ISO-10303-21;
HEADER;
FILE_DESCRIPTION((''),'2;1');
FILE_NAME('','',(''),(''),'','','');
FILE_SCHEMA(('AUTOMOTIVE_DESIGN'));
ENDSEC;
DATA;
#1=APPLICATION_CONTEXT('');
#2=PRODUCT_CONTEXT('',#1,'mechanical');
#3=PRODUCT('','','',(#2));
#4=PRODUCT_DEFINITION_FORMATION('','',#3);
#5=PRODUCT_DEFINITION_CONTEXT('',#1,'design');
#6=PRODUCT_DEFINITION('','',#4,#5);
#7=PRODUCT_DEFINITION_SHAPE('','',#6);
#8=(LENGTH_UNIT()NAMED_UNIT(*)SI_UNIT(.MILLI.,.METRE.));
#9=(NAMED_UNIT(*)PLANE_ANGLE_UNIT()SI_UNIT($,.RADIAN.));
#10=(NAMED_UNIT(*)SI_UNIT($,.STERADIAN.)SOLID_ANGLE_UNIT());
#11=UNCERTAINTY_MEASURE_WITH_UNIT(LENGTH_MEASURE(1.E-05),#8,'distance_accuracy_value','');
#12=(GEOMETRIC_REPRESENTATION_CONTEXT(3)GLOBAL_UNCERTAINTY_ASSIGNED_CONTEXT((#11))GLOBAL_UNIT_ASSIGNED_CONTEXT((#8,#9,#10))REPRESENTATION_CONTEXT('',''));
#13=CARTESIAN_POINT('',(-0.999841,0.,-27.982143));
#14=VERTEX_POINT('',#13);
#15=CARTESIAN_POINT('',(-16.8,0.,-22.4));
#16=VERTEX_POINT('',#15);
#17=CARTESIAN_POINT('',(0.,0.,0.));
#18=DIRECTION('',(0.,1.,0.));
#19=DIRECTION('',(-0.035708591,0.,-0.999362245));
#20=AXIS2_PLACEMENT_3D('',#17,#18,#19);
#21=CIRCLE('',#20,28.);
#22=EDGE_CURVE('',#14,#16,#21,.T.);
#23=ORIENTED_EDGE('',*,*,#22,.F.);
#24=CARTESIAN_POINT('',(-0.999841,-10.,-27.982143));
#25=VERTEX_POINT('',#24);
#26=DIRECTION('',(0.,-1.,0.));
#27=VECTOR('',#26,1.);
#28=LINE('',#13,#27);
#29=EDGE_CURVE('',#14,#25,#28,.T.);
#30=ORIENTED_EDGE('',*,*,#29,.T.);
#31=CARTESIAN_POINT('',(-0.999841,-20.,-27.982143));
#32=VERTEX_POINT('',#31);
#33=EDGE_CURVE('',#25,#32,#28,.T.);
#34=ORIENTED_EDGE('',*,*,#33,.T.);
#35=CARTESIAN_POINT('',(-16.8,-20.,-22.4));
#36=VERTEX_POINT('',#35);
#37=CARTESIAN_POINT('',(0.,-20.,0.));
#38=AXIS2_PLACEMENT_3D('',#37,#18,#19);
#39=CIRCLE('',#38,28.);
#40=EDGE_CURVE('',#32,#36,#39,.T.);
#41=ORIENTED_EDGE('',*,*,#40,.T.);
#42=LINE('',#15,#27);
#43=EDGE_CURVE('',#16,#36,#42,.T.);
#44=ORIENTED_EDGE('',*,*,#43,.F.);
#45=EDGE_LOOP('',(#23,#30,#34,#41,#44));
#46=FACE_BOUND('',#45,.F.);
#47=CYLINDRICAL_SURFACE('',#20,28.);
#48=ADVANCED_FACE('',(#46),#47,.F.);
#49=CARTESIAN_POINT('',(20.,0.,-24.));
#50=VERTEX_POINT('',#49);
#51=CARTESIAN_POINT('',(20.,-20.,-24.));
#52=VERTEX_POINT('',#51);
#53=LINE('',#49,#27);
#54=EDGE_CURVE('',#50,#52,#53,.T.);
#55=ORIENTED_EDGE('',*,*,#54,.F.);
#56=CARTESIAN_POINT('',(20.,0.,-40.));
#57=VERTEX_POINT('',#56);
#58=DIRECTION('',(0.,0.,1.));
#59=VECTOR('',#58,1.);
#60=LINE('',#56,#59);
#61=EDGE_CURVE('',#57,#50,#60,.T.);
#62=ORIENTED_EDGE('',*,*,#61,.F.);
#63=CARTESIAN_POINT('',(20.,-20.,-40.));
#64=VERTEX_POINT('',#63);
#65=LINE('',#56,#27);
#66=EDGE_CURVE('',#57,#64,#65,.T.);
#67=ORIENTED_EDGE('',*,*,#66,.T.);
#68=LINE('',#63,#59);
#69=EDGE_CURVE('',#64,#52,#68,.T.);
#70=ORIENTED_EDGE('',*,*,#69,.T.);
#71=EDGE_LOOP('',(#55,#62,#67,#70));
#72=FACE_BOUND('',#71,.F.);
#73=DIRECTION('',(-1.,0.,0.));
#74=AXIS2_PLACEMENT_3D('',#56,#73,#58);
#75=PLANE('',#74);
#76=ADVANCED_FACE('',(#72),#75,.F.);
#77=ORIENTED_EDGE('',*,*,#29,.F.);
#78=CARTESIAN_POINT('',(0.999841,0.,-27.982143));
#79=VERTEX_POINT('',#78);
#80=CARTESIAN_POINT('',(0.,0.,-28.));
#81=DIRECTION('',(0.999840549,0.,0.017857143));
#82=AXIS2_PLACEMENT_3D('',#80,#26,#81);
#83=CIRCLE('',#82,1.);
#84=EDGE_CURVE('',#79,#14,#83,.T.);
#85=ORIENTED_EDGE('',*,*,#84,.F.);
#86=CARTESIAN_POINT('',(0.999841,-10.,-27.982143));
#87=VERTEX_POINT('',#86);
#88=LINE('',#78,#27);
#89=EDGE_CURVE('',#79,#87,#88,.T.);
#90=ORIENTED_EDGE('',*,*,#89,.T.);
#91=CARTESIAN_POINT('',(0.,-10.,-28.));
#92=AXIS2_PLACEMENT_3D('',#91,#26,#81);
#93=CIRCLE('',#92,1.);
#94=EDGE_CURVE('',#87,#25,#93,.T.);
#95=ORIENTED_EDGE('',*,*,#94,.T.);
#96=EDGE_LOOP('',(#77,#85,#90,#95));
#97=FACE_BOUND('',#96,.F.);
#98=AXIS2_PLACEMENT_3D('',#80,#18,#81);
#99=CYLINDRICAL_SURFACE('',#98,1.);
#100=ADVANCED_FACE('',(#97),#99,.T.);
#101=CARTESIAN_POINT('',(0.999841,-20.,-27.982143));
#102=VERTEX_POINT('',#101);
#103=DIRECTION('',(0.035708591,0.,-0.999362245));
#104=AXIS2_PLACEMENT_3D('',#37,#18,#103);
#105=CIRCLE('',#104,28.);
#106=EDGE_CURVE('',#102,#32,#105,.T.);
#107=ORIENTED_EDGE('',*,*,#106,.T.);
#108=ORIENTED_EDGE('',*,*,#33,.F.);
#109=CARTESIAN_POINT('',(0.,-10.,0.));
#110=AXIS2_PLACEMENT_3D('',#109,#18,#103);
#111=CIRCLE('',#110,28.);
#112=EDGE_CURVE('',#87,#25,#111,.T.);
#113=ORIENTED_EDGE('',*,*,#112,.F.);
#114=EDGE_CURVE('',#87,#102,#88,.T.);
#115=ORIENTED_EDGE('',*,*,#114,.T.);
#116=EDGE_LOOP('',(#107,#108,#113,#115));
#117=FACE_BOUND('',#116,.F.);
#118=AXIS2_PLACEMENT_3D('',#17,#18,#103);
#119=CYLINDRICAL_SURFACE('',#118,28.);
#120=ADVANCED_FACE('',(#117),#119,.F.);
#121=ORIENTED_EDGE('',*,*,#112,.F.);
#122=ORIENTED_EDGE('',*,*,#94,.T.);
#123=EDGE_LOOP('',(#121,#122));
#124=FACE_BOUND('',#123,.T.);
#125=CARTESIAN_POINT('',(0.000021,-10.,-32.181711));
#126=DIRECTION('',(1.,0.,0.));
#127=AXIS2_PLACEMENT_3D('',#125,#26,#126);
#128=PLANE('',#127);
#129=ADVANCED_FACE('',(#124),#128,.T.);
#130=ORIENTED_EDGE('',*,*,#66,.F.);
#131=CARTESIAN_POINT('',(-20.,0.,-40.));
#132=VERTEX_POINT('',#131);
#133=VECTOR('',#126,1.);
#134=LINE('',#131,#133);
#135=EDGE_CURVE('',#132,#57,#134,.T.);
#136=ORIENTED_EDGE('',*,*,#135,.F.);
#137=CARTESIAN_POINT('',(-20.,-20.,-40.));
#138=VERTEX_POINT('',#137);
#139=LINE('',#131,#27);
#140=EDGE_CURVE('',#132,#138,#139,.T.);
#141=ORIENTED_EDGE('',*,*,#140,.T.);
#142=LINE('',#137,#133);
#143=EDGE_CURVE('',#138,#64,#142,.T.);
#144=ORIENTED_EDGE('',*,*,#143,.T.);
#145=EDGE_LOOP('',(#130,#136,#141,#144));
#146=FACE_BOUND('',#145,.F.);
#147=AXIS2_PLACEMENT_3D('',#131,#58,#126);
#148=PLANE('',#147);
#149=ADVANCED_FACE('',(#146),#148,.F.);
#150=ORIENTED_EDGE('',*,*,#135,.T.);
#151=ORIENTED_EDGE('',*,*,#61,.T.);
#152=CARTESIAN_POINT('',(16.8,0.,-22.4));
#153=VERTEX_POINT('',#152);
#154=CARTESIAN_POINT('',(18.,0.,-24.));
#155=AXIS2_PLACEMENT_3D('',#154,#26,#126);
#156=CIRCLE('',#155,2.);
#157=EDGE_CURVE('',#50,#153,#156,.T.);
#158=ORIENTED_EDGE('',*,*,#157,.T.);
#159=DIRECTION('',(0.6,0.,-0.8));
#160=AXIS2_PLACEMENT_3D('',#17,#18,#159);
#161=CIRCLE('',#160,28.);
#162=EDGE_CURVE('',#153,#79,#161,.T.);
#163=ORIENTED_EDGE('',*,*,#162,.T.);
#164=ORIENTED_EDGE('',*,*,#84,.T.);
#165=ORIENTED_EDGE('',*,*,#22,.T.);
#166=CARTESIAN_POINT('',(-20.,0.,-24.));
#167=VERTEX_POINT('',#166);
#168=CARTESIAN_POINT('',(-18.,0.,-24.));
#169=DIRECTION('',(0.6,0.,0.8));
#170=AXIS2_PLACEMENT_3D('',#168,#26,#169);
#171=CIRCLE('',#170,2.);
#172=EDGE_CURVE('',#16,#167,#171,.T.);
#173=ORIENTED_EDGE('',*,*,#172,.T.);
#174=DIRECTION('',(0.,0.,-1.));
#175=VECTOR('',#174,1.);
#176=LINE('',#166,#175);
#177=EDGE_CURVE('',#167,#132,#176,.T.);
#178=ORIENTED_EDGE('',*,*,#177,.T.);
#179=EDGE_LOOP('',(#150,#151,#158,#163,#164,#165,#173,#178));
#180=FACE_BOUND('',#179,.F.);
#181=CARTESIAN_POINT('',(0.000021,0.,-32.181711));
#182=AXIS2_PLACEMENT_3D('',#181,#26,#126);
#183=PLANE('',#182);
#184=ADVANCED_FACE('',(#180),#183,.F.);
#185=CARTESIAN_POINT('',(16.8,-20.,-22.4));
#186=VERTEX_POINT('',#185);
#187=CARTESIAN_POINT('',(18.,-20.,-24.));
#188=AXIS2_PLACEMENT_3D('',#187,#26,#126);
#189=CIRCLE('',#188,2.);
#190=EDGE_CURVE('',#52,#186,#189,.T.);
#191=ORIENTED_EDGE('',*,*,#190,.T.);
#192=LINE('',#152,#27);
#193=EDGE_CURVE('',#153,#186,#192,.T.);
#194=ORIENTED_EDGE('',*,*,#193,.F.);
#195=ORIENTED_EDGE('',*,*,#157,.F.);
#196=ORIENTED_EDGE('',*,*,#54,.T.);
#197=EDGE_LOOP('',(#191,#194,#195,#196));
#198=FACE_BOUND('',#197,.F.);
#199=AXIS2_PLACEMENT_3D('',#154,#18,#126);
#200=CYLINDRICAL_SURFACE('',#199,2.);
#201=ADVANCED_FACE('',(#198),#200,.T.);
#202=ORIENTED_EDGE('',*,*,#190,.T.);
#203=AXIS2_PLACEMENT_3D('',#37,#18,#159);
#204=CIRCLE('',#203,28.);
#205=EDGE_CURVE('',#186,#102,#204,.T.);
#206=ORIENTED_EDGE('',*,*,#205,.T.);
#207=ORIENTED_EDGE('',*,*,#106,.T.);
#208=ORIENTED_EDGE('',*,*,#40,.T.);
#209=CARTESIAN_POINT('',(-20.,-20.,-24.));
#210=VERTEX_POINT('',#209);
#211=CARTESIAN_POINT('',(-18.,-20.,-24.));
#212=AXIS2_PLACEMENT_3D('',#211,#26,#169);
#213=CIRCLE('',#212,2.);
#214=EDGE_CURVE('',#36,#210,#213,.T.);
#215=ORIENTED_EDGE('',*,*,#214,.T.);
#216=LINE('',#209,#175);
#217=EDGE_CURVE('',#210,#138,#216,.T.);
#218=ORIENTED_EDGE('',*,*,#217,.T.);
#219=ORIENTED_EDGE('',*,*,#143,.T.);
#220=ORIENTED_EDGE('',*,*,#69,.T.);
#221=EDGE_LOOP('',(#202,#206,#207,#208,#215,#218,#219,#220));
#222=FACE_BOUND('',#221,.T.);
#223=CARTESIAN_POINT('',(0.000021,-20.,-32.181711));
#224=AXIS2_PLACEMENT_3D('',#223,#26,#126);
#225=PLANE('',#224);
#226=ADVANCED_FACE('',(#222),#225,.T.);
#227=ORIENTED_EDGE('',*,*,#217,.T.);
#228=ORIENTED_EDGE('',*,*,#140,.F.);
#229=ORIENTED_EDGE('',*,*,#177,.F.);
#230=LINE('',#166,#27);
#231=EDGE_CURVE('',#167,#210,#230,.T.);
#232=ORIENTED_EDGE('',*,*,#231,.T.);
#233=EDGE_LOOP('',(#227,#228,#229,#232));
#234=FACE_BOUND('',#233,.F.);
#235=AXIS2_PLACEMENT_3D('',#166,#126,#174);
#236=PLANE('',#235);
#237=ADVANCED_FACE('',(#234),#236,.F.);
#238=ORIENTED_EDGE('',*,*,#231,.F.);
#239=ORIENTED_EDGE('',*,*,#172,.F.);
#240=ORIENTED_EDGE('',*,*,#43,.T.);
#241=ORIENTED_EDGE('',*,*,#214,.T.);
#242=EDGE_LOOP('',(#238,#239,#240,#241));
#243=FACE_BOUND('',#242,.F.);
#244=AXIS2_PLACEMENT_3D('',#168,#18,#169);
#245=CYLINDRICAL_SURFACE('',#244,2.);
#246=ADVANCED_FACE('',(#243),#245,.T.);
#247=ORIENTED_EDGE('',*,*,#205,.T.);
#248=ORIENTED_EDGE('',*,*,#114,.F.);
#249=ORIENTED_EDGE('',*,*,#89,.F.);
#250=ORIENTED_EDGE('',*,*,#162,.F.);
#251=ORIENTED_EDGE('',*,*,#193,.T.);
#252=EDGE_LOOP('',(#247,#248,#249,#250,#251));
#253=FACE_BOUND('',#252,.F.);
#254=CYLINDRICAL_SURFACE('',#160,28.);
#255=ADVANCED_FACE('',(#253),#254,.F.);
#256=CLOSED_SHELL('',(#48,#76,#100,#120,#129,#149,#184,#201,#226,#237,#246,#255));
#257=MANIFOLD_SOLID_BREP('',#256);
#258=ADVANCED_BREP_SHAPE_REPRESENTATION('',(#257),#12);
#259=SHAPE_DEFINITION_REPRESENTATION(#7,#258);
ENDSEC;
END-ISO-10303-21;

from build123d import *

# Parameters (mm, degrees)
F1_DEPTH = 20
F2_DEPTH = 10


with BuildPart() as f1:
    # F0 (on Front) → F1 (new body)
    with BuildSketch(Plane.XZ):
        with BuildLine():
            ThreePointArc((-0.9998405485, -27.9821428571), (-9.3273072538, -26.4007829314), (-16.8, -22.4))
            ThreePointArc((-16.8, -22.4), (-18.894427191, -22.211145618), (-20, -24))
            Line((-20, -24), (-20, -40))
            Line((-20, -40), (20, -40))
            Line((20, -40), (20, -24))
            ThreePointArc((20, -24), (18.894427191, -22.211145618), (16.8, -22.4))
            ThreePointArc((16.8, -22.4), (9.3273072538, -26.4007829314), (0.9998405485, -27.9821428571))
            ThreePointArc((0.9998405485, -27.9821428571), (0.9999601363, -27.9910710726), (1, -28))
            ThreePointArc((1, -28), (-0.0089289274, -28.9999601363), (-0.9998405485, -27.9821428571))
        make_face()
        with BuildLine():
            ThreePointArc((0.9998405485, -27.9821428571), (0, -28), (-0.9998405485, -27.9821428571))
            ThreePointArc((-0.9998405485, -27.9821428571), (-0.0089289274, -28.9999601363), (1, -28))
            ThreePointArc((1, -28), (0.9999601363, -27.9910710726), (0.9998405485, -27.9821428571))
        make_face()
    extrude(amount=F1_DEPTH)

    # F0 (on Front) → F2 (join)
    with BuildSketch(Plane.XZ):
        with BuildLine():
            ThreePointArc((-0.9998405485, -27.9821428571), (-9.3273072538, -26.4007829314), (-16.8, -22.4))
            ThreePointArc((-16.8, -22.4), (-18.894427191, -22.211145618), (-20, -24))
            Line((-20, -24), (-20, -40))
            Line((-20, -40), (20, -40))
            Line((20, -40), (20, -24))
            ThreePointArc((20, -24), (18.894427191, -22.211145618), (16.8, -22.4))
            ThreePointArc((16.8, -22.4), (9.3273072538, -26.4007829314), (0.9998405485, -27.9821428571))
            ThreePointArc((0.9998405485, -27.9821428571), (0.9999601363, -27.9910710726), (1, -28))
            ThreePointArc((1, -28), (-0.0089289274, -28.9999601363), (-0.9998405485, -27.9821428571))
        make_face()
        with BuildLine():
            ThreePointArc((0.9998405485, -27.9821428571), (0, -27), (-0.9998405485, -27.9821428571))
            ThreePointArc((-0.9998405485, -27.9821428571), (0, -28), (0.9998405485, -27.9821428571))
        make_face()
        with BuildLine():
            ThreePointArc((0.9998405485, -27.9821428571), (0, -28), (-0.9998405485, -27.9821428571))
            ThreePointArc((-0.9998405485, -27.9821428571), (-0.0089289274, -28.9999601363), (1, -28))
            ThreePointArc((1, -28), (0.9999601363, -27.9910710726), (0.9998405485, -27.9821428571))
        make_face()
    extrude(amount=F2_DEPTH)


solid = f1.part
